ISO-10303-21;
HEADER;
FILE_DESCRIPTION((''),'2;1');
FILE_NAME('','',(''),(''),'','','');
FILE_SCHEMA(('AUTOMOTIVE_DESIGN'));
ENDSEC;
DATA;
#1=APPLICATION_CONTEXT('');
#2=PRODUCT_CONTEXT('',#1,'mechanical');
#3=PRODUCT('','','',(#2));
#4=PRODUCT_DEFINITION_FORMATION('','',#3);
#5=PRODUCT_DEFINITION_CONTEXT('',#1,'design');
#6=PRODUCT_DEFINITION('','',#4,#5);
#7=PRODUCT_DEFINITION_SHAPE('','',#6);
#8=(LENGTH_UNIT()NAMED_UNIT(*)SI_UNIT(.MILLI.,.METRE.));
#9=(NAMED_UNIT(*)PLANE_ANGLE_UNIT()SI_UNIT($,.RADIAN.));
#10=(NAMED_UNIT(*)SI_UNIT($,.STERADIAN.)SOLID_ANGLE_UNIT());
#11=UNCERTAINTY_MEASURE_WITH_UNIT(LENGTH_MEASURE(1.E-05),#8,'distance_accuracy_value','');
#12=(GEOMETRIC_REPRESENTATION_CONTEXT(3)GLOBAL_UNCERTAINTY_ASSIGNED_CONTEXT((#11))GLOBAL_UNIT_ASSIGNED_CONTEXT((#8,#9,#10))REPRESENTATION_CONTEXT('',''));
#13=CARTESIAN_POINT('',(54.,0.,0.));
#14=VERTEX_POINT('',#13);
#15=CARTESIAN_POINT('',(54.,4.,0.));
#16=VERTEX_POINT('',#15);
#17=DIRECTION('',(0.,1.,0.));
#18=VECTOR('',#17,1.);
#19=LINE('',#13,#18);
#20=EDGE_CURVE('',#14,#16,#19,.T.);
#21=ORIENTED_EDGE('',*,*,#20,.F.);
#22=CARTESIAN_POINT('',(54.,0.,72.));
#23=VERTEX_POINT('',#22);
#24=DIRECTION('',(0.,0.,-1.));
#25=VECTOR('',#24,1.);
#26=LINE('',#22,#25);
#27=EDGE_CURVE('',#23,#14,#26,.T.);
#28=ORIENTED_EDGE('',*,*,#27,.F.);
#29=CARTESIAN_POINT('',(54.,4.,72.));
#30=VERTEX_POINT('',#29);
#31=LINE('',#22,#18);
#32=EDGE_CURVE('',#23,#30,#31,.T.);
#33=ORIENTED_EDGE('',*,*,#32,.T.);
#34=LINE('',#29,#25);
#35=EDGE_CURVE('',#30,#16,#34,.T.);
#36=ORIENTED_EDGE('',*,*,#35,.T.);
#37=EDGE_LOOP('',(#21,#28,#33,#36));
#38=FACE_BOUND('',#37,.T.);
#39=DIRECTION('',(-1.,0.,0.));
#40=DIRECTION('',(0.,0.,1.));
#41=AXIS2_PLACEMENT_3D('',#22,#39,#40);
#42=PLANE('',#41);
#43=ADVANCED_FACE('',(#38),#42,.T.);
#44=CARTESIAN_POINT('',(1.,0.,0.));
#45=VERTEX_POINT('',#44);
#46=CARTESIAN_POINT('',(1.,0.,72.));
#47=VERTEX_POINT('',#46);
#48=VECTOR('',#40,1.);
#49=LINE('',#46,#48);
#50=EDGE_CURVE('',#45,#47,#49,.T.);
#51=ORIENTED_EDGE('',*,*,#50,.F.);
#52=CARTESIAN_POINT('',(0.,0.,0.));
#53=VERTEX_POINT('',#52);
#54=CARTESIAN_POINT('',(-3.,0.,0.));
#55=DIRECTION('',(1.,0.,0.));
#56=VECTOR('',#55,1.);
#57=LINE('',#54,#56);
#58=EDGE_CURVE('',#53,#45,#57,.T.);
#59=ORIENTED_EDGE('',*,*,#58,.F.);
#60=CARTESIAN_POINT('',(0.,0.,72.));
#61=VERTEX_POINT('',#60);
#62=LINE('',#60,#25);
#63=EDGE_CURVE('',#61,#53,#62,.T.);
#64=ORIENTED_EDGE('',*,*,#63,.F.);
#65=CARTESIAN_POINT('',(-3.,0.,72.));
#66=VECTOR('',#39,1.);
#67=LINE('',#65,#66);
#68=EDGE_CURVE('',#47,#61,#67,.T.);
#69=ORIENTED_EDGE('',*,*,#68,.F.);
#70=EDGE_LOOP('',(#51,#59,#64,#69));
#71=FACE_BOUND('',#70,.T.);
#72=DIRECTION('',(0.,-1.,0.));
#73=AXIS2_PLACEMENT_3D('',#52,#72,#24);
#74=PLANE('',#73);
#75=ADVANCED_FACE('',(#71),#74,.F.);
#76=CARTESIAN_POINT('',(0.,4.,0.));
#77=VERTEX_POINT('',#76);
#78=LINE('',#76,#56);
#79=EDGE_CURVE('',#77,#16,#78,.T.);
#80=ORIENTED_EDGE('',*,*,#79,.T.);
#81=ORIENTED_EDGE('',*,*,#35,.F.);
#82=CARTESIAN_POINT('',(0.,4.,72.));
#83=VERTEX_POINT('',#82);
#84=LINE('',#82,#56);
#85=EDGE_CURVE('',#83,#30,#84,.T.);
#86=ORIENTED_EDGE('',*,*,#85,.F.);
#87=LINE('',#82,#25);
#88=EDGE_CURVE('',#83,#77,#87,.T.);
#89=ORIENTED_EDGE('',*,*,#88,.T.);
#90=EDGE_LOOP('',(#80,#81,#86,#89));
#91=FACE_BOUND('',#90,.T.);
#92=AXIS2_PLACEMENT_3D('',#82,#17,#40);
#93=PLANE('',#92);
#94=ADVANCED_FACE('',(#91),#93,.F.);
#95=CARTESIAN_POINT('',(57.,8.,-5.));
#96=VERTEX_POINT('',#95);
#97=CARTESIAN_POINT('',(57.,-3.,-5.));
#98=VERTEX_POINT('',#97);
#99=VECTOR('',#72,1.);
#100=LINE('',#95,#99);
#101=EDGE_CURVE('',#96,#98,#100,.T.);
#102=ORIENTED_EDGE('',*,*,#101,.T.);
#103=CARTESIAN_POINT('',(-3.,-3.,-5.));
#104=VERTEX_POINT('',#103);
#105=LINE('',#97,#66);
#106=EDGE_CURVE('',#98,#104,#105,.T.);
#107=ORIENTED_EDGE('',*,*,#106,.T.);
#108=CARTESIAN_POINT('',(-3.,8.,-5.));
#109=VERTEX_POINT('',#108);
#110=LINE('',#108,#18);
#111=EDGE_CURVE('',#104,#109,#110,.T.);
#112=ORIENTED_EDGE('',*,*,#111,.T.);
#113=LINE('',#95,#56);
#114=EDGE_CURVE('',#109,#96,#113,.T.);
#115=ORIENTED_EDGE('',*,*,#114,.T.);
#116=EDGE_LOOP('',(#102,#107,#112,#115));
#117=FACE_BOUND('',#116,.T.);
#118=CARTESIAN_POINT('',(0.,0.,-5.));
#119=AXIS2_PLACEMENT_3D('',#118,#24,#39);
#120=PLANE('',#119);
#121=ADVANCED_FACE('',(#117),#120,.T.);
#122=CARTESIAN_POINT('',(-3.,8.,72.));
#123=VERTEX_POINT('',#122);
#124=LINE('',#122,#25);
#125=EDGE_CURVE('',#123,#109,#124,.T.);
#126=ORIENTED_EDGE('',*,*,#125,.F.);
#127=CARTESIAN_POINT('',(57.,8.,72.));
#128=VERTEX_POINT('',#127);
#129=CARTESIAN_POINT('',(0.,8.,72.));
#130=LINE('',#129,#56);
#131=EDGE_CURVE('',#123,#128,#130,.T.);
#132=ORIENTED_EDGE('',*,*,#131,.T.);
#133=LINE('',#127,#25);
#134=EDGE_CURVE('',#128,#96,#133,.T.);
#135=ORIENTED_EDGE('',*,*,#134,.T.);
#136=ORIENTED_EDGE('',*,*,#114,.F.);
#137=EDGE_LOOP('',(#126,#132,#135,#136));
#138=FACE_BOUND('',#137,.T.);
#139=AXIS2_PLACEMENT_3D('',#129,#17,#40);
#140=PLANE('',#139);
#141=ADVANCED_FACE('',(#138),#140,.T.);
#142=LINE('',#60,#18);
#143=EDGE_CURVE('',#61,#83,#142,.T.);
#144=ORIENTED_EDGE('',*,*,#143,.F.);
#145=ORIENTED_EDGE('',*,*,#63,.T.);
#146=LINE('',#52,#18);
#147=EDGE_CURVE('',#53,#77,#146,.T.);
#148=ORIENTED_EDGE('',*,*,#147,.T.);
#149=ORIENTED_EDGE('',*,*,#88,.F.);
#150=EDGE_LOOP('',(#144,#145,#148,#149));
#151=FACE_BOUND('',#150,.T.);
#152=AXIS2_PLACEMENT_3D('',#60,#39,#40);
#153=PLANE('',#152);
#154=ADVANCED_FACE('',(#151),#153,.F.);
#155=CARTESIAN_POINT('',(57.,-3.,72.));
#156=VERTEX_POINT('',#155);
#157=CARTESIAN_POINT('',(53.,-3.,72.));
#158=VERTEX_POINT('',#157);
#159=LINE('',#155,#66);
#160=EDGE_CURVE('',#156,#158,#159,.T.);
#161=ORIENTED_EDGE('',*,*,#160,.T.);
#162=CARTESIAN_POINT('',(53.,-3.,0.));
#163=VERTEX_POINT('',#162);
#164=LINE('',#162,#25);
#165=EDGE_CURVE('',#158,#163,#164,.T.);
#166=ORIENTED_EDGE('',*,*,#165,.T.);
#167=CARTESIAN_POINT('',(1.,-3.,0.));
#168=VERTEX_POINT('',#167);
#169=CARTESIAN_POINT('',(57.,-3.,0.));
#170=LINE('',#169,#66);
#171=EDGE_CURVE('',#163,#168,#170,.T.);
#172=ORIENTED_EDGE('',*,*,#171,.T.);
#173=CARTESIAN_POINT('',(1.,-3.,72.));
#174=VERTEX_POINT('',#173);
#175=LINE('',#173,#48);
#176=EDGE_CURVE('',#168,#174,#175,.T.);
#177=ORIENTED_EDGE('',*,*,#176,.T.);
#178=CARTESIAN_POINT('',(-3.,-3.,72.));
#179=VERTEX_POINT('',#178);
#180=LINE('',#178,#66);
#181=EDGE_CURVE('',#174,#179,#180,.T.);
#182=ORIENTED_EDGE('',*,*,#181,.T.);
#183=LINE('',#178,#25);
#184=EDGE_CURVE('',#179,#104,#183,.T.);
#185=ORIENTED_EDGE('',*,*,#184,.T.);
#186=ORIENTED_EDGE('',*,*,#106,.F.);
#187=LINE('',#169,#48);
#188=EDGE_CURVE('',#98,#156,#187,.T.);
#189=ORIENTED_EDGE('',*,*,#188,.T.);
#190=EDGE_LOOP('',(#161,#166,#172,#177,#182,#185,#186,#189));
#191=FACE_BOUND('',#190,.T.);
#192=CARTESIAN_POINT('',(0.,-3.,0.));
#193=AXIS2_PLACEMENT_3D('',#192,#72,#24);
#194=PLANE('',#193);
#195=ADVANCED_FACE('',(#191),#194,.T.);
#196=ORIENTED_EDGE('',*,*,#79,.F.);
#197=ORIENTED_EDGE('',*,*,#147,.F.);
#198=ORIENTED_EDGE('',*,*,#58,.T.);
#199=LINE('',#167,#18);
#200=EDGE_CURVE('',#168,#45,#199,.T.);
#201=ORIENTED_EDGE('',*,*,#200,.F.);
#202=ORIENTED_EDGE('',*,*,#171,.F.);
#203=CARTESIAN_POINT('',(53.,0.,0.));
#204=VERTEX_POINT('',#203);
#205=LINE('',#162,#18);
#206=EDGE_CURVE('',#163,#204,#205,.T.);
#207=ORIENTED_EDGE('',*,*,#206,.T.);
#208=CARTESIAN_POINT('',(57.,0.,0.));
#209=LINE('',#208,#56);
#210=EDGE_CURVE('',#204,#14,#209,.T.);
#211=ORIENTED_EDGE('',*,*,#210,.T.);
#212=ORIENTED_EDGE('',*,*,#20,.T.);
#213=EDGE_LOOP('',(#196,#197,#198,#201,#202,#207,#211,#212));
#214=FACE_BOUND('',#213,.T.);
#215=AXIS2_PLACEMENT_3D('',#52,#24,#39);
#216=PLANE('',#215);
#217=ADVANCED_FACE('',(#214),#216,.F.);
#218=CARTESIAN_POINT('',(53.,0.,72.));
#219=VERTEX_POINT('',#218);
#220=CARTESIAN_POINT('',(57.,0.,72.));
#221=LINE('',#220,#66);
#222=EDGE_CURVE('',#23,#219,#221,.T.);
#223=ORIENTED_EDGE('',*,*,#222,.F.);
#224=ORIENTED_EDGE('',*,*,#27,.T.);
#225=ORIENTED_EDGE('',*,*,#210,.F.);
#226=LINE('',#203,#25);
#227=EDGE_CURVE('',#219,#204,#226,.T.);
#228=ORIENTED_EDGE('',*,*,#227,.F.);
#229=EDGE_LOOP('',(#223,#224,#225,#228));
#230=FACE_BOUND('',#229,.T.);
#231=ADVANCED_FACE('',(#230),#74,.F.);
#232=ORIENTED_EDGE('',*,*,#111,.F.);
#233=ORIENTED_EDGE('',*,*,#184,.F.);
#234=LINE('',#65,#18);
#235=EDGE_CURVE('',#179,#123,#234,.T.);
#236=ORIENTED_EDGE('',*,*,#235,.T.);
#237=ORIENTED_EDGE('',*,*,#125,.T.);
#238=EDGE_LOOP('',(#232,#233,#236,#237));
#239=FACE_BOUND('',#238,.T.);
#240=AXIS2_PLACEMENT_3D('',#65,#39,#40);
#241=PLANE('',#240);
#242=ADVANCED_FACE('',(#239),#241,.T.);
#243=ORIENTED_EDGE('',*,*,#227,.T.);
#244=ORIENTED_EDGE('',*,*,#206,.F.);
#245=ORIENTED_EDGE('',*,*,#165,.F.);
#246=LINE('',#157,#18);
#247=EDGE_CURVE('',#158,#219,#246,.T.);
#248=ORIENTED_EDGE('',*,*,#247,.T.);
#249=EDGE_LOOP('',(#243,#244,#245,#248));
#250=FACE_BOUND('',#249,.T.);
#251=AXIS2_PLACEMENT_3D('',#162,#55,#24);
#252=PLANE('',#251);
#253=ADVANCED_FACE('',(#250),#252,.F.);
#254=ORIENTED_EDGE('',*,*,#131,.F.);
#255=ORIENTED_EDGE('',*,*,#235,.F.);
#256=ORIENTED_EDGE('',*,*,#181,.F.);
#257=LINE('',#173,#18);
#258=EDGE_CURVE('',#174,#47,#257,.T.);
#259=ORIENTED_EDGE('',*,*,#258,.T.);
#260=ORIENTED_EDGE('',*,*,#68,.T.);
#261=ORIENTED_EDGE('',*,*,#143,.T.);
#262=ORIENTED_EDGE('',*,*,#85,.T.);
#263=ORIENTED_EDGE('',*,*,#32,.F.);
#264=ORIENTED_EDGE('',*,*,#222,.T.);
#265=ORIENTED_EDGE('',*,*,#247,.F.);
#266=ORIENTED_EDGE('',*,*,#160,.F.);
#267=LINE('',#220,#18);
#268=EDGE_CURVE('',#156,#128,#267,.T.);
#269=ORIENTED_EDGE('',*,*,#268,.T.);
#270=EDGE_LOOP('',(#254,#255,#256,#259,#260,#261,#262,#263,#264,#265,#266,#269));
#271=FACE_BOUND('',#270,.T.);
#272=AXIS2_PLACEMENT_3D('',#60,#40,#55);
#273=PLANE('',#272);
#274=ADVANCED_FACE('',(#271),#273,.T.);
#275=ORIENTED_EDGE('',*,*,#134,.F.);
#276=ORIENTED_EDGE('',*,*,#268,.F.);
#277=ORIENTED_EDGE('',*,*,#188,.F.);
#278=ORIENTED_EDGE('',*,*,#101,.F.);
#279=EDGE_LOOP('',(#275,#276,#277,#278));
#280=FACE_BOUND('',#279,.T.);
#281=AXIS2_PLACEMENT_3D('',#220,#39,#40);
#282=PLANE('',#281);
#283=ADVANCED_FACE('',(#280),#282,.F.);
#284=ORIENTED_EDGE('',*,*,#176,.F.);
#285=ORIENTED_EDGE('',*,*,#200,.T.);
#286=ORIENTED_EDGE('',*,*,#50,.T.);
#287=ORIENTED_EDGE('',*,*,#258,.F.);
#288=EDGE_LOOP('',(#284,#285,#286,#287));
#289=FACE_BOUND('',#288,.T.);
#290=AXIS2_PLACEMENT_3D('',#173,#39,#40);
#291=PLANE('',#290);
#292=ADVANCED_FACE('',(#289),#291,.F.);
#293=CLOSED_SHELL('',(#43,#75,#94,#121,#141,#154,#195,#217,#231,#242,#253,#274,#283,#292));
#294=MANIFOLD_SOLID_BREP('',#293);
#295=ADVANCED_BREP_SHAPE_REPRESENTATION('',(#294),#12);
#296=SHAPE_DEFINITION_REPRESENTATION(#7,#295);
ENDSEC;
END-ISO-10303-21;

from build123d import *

# Parameters (mm, degrees)
EXTRUDE_1_DEPTH = 72
SKETCH_2_W      = 4
SKETCH_2_H      = 72
EXTRUDE_2_DEPTH = 3
SKETCH_4_W      = 60
SKETCH_4_H      = 11
EXTRUDE_3_DEPTH = 5


with BuildPart() as part:
    # 스케치1 → 보스-돌출1 (new body)
    with BuildSketch(Plane.XY):
        Polygon((-3, 0), (0, 0), (0, 4), (54, 4), (54, 0), (57, 0), (57, 8), (-3, 8), align=None)
    extrude(amount=EXTRUDE_1_DEPTH)

    # 스케치2 → 보스-돌출2 (add)
    with BuildSketch(Plane.XZ):
        with Locations((-1, 36)):
            Rectangle(SKETCH_2_W, SKETCH_2_H)
        with Locations((55, 36)):
            Rectangle(SKETCH_2_W, SKETCH_2_H)
    extrude(amount=EXTRUDE_2_DEPTH)

    # 스케치4 → 보스-돌출3 (add)
    with BuildSketch(Plane(origin=(0, 0, 0), x_dir=(-1, 0, 0), z_dir=(0, 0, -1))):
        with Locations((-27, 2.5)):
            Rectangle(SKETCH_4_W, SKETCH_4_H)
    extrude(amount=EXTRUDE_3_DEPTH)


solid = part.part
